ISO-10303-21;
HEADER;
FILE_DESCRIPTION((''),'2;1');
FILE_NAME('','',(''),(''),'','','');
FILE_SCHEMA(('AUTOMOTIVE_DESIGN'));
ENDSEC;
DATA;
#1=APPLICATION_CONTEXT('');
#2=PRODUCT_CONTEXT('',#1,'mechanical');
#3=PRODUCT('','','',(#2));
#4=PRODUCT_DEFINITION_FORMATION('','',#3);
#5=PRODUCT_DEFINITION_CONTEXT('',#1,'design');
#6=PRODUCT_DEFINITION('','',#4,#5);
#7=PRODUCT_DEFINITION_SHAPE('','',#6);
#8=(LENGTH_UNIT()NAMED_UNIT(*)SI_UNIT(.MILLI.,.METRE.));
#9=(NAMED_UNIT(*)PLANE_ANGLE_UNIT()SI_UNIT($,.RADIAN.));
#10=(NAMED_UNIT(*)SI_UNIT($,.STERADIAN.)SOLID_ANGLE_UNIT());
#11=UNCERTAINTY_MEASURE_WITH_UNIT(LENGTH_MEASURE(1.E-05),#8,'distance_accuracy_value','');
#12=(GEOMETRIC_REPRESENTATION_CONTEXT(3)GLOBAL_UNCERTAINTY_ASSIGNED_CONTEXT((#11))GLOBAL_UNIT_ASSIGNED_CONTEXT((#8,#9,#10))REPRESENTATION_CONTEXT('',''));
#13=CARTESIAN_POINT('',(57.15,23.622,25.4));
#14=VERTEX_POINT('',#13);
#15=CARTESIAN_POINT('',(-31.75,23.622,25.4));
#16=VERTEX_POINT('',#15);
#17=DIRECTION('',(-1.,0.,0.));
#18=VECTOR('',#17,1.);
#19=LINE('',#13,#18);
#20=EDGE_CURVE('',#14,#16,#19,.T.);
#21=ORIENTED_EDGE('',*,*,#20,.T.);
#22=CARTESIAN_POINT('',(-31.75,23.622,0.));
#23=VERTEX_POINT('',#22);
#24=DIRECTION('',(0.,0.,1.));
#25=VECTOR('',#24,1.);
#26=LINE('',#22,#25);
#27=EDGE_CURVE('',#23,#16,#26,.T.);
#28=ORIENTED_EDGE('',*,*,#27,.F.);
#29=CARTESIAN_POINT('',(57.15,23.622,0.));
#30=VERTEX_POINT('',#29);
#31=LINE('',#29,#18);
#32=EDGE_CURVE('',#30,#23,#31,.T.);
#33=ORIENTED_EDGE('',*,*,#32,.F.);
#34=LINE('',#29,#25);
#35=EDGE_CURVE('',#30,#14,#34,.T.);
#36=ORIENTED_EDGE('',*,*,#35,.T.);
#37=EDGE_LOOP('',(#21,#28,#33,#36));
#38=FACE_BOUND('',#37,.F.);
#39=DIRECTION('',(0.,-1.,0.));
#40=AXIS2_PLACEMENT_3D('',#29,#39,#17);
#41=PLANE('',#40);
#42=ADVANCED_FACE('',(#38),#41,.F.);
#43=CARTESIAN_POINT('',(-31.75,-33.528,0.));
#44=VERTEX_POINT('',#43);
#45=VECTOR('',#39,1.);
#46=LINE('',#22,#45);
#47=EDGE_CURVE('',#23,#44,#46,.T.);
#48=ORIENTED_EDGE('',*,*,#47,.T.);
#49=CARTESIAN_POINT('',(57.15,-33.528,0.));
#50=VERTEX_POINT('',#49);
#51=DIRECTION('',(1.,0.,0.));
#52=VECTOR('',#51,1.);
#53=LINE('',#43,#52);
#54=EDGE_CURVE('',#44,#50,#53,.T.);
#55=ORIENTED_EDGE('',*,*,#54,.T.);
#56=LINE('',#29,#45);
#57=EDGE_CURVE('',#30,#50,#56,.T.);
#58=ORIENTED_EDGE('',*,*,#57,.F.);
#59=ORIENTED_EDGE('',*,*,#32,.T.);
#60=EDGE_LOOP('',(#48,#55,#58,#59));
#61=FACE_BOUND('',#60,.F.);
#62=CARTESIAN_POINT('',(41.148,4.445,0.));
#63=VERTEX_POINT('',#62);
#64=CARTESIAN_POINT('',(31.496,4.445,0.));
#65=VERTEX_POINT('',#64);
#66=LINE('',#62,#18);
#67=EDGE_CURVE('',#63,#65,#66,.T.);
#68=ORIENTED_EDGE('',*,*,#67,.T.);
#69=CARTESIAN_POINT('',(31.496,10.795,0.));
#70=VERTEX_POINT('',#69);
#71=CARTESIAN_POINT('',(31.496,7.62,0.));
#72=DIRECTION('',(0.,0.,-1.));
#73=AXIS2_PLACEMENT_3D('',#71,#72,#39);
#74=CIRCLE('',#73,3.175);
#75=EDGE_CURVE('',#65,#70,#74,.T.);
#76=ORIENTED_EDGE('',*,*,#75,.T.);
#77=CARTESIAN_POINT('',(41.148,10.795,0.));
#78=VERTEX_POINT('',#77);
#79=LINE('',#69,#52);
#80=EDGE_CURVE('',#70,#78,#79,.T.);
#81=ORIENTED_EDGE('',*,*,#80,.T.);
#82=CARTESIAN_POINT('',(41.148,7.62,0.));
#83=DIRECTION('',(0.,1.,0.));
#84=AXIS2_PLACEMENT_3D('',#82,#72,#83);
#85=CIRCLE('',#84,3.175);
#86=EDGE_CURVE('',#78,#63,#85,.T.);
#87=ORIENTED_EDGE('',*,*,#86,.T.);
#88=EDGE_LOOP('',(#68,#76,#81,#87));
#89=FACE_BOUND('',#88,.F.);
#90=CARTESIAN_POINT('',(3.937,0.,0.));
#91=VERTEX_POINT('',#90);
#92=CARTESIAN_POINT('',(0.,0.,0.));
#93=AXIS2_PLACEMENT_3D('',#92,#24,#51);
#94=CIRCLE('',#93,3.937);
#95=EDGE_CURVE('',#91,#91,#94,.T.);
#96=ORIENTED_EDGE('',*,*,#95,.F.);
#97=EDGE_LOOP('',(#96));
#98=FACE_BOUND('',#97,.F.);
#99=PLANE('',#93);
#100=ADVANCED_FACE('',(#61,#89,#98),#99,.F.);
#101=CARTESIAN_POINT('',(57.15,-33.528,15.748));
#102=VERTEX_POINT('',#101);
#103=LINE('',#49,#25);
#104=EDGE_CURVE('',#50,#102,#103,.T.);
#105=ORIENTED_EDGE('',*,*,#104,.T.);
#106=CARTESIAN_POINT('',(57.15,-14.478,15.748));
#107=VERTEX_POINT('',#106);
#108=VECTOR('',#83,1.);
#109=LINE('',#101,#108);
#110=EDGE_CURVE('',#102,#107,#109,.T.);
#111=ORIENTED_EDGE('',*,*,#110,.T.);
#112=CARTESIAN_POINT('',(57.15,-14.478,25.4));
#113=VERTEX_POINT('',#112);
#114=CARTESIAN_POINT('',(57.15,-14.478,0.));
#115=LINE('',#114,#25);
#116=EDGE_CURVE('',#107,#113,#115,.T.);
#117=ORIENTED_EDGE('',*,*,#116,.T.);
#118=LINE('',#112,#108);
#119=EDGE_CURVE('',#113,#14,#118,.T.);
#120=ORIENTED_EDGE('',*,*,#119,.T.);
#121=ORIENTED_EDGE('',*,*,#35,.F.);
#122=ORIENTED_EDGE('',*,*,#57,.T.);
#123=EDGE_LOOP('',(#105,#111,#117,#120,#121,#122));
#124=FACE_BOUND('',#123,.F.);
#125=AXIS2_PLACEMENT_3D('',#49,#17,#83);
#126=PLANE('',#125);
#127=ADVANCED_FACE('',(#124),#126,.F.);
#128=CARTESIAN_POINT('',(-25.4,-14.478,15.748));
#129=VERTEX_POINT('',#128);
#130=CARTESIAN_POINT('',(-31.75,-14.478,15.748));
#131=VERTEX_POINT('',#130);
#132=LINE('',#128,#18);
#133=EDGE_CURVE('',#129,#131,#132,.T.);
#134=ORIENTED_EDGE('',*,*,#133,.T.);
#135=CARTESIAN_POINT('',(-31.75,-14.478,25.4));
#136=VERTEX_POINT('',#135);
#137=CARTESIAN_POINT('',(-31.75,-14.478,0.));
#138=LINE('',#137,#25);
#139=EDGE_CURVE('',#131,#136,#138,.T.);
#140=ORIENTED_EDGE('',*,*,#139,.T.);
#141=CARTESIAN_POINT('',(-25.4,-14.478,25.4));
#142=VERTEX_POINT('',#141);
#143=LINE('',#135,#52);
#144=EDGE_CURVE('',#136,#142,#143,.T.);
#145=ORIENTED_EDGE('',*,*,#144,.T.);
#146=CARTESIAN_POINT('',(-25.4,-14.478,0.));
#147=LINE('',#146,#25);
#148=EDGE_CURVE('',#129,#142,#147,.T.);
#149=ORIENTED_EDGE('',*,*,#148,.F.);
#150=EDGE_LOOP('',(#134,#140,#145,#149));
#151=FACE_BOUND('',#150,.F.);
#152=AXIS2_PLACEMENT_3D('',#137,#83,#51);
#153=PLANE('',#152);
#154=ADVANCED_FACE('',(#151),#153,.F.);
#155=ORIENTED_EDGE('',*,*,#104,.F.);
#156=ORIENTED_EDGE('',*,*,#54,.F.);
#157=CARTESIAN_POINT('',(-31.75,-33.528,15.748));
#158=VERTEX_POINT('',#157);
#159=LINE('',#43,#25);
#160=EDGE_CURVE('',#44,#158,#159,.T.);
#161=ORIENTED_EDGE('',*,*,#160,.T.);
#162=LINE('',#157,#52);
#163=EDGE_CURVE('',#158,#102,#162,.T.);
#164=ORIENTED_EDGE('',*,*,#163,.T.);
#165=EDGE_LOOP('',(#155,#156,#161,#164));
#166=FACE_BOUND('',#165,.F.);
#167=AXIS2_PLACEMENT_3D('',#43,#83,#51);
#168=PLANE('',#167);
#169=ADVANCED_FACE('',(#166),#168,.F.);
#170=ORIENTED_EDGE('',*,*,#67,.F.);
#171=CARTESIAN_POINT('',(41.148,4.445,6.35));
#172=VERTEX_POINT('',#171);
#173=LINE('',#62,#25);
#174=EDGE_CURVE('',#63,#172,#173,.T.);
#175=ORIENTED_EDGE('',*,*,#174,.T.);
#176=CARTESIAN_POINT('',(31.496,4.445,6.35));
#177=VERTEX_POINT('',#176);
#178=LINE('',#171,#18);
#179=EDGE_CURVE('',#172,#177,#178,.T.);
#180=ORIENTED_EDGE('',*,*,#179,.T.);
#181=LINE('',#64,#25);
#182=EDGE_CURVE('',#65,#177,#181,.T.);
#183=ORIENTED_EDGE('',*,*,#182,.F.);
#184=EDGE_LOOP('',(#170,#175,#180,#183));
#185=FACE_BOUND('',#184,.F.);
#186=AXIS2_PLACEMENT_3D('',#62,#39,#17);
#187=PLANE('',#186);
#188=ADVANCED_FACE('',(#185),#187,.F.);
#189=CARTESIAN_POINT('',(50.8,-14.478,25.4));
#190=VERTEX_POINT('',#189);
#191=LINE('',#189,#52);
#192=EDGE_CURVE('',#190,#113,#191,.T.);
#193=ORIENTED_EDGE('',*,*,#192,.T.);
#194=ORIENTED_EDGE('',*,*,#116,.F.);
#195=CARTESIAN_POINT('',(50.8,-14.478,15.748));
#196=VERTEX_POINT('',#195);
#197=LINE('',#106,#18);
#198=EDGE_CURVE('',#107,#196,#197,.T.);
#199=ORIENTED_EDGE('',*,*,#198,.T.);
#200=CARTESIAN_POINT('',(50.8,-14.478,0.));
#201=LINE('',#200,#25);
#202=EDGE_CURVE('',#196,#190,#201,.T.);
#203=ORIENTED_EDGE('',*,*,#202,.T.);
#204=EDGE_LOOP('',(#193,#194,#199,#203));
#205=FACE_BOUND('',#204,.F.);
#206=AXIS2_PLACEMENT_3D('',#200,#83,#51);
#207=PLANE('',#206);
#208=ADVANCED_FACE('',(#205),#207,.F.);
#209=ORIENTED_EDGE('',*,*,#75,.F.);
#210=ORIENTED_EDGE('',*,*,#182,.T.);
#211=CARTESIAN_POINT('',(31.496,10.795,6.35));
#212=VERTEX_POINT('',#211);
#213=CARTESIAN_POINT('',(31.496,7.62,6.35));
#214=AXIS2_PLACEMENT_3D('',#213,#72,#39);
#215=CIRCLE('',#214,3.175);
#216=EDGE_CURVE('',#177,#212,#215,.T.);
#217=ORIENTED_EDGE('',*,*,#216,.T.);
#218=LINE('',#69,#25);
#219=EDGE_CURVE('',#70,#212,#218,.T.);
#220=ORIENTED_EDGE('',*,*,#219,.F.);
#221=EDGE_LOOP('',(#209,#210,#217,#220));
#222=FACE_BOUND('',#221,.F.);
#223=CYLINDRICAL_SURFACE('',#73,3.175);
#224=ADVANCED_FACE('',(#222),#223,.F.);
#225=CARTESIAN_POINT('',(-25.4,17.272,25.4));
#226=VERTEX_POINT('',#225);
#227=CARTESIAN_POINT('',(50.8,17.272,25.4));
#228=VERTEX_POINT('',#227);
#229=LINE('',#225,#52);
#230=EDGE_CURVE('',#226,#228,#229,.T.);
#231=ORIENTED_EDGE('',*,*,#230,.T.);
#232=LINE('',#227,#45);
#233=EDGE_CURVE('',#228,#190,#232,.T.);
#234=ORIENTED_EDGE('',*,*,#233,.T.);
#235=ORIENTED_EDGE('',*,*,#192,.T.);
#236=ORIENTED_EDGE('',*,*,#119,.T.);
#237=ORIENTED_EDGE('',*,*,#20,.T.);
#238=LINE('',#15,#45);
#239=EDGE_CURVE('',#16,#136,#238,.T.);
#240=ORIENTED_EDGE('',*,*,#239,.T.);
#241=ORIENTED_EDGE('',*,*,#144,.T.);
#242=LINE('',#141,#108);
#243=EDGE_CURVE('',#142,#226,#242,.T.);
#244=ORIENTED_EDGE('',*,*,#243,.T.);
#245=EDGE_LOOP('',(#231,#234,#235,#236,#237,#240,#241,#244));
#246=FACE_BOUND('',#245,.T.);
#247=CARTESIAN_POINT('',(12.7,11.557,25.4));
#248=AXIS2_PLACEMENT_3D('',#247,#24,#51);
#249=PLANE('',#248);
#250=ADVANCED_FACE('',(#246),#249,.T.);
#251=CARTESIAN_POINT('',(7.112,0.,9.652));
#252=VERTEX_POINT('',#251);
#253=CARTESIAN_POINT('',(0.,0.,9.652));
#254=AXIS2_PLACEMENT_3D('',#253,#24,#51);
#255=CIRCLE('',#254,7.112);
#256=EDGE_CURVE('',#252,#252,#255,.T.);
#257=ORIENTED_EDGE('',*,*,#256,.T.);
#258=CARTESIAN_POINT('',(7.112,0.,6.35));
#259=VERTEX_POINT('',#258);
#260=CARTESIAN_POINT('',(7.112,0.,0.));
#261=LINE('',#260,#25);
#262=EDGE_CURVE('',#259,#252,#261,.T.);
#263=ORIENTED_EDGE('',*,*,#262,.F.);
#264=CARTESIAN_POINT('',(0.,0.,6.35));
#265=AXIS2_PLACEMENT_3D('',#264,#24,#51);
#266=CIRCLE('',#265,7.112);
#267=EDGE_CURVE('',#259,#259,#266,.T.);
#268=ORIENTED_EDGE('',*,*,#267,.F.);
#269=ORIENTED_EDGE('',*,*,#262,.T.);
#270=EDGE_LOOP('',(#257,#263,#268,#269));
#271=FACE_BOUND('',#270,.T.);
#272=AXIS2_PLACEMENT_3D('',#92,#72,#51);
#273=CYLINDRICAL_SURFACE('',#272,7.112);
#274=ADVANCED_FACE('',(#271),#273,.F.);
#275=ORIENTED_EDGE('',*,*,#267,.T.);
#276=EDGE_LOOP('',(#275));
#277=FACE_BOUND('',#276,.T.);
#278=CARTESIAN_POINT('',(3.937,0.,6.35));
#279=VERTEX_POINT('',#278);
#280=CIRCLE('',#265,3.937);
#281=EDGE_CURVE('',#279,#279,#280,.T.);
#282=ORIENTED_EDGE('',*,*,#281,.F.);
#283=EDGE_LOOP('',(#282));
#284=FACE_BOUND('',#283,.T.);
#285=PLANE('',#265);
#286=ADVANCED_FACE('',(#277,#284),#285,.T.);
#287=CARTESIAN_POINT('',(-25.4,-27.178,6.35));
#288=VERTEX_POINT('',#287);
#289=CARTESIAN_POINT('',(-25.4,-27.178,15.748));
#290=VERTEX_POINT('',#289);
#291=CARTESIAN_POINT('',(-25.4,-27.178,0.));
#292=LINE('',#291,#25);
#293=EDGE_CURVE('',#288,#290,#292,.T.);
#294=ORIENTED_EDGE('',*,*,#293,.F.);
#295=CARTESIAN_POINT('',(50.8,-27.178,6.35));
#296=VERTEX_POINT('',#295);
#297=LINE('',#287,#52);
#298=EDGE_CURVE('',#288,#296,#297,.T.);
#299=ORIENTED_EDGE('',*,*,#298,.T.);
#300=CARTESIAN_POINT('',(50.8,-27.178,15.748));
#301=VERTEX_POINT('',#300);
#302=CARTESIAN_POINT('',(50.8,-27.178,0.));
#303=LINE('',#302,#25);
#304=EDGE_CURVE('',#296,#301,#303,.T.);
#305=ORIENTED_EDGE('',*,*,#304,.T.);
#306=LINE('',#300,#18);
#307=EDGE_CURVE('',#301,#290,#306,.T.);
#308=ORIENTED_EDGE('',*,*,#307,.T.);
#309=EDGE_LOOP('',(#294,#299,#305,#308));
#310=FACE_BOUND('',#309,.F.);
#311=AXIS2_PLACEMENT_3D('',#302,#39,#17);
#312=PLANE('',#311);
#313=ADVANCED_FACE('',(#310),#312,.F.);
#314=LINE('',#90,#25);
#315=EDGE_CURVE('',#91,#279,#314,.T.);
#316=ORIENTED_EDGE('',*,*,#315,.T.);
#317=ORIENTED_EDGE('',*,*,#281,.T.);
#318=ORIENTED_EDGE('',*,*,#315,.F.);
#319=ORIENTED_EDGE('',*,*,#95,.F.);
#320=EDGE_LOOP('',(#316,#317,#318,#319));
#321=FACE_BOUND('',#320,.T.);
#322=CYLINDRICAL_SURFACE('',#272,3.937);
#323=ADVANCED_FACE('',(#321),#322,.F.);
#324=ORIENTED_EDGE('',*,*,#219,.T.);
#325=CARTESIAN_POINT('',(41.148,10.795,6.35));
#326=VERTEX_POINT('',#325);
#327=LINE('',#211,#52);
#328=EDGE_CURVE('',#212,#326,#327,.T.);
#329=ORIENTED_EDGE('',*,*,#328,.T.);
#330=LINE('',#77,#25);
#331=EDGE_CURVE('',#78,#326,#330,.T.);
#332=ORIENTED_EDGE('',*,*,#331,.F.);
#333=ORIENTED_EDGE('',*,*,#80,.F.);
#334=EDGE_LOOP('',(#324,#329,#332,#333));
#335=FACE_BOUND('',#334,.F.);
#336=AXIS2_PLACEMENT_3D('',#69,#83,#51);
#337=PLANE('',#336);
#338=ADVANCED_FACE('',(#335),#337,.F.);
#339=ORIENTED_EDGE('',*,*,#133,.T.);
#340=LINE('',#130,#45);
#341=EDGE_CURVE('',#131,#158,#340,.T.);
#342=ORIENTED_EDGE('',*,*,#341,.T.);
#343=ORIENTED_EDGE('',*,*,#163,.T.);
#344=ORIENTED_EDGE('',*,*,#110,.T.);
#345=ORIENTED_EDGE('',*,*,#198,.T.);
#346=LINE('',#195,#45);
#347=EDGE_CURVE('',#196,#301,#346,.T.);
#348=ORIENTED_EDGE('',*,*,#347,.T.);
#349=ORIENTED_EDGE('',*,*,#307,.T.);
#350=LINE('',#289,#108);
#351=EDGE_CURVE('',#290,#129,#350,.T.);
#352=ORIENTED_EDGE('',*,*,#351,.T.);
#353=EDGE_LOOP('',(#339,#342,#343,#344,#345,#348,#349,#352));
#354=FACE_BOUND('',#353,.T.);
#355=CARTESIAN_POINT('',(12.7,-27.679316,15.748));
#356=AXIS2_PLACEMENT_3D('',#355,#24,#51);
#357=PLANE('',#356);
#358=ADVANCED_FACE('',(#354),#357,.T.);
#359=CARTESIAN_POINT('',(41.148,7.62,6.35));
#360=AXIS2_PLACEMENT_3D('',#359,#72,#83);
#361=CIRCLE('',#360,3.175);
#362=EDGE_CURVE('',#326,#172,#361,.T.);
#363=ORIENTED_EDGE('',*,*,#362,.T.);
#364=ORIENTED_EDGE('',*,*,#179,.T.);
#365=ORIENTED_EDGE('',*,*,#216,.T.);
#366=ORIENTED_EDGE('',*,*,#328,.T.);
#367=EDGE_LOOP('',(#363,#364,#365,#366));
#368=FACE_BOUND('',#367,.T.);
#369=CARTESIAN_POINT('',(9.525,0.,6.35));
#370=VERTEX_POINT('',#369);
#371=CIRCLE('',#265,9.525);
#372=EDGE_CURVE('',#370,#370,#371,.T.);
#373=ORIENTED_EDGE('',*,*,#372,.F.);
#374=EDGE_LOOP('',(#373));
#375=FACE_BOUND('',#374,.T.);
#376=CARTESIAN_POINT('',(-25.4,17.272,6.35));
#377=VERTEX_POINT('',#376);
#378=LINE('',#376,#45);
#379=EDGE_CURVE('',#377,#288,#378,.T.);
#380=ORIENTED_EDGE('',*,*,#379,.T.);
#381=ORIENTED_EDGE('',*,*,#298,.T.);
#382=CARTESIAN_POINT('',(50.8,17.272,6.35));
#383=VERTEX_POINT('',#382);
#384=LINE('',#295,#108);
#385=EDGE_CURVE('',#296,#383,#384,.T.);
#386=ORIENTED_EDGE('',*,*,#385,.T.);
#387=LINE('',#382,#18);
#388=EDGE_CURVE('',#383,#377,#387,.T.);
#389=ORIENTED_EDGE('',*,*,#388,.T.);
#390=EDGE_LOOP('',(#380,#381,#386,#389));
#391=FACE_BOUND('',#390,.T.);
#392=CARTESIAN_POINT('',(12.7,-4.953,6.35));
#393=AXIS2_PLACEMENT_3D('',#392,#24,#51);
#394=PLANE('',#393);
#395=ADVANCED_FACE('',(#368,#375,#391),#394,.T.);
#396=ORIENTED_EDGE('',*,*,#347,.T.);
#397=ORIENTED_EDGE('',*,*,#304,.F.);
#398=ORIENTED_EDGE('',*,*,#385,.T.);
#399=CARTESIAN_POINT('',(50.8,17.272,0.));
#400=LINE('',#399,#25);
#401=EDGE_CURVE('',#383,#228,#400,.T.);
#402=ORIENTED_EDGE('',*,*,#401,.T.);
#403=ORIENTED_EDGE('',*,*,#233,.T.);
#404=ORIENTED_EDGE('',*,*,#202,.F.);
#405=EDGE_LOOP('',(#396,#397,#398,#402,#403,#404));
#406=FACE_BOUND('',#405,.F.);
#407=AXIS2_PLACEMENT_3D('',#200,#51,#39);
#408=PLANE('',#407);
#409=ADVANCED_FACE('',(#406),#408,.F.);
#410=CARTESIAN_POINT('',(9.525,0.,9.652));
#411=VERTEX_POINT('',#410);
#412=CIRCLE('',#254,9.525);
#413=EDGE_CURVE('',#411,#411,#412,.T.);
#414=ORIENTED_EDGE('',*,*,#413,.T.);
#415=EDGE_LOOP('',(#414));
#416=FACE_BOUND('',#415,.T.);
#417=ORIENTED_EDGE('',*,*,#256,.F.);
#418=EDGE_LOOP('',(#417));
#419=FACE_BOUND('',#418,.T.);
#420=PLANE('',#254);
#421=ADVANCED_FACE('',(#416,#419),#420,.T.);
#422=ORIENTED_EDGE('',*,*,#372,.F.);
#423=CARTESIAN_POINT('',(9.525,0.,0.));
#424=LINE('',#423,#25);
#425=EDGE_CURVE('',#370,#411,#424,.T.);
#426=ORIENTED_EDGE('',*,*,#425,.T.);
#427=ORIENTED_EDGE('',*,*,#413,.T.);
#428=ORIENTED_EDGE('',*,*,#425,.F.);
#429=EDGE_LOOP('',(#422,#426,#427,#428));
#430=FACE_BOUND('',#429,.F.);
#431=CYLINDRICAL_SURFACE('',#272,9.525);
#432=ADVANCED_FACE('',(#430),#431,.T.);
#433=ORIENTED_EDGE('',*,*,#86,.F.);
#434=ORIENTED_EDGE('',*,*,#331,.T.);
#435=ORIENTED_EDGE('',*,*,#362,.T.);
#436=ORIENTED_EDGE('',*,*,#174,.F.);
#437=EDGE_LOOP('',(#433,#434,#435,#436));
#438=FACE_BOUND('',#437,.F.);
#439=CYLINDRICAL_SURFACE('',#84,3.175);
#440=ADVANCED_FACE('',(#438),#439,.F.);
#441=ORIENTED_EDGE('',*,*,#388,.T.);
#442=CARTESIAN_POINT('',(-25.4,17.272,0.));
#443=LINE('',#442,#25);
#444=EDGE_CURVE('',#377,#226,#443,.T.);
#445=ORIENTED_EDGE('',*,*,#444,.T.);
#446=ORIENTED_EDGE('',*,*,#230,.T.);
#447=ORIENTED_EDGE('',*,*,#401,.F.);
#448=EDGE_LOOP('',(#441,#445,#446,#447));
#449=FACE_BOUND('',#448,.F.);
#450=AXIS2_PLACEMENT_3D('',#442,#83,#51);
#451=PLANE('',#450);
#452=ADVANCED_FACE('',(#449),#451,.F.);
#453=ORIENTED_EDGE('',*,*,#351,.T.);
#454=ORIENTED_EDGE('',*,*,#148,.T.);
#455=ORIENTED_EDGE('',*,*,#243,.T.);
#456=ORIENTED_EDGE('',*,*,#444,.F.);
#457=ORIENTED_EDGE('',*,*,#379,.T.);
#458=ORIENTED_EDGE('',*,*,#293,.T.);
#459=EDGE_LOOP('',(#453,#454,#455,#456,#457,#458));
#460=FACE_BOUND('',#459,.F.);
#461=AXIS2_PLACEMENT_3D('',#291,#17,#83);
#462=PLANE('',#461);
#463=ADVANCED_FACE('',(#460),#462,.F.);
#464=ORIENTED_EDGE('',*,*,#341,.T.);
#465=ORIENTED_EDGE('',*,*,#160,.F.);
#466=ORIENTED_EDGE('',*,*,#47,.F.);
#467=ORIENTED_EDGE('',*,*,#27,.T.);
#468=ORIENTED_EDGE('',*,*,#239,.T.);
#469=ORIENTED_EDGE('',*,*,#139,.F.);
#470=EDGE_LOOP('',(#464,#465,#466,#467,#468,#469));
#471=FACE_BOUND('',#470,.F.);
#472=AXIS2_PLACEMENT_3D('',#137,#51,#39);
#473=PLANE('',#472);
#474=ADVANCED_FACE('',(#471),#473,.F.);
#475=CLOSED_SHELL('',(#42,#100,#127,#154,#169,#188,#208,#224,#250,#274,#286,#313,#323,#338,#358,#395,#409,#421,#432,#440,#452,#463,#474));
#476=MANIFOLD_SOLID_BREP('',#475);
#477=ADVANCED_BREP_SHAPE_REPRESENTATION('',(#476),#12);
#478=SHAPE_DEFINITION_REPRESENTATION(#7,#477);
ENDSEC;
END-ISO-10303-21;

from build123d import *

# Parameters (mm, degrees)
F1_DEPTH = 25.4
F2_DEPTH = 15.748
F0_R     = 9.525
F3_DEPTH = 6.35
F0_R_2   = 7.112
F4_DEPTH = 9.652
F0_R_3   = 3.937
F5_DEPTH = 6.35


with BuildPart() as f1:
    # F0 (on Top) → F1 (new body)
    with BuildSketch(Plane.XY):
        Polygon((57.15, 23.622), (-31.75, 23.622), (-31.75, -14.478), (-25.4, -14.478), (-25.4, 17.272), (50.8, 17.272), (50.8, -14.478), (57.15, -14.478), align=None)
    extrude(amount=F1_DEPTH)

    # F0 (on Top) → F2 (join)
    with BuildSketch(Plane.XY):
        Polygon((-25.4, -14.478), (-31.75, -14.478), (-31.75, -33.528), (57.15, -33.528), (57.15, -14.478), (50.8, -14.478), (50.8, -27.178), (-25.4, -27.178), align=None)
    extrude(amount=F2_DEPTH)

    # F0 (on Top) → F3 (join)
    with BuildSketch(Plane.XY):
        Polygon((-25.4, 17.272), (-25.4, -14.478), (-25.4, -27.178), (50.8, -27.178), (50.8, -14.478), (50.8, 17.272), align=None)
        Circle(F0_R, mode=Mode.SUBTRACT)
        with BuildLine():
            ThreePointArc((31.496, 4.445), (28.321, 7.62), (31.496, 10.795))
            Line((31.496, 10.795), (41.148, 10.795))
            ThreePointArc((41.148, 10.795), (44.323, 7.62), (41.148, 4.445))
            Line((41.148, 4.445), (31.496, 4.445))
        make_face(mode=Mode.SUBTRACT)
    extrude(amount=F3_DEPTH)

    # F0 (on Top) → F4 (join)
    with BuildSketch(Plane.XY):
        Circle(F0_R)
        Circle(F0_R_2, mode=Mode.SUBTRACT)
    extrude(amount=F4_DEPTH)

    # F0 (on Top) → F5 (join)
    with BuildSketch(Plane.XY):
        Circle(F0_R_2)
        Circle(F0_R_3, mode=Mode.SUBTRACT)
    extrude(amount=F5_DEPTH)


solid = f1.part
